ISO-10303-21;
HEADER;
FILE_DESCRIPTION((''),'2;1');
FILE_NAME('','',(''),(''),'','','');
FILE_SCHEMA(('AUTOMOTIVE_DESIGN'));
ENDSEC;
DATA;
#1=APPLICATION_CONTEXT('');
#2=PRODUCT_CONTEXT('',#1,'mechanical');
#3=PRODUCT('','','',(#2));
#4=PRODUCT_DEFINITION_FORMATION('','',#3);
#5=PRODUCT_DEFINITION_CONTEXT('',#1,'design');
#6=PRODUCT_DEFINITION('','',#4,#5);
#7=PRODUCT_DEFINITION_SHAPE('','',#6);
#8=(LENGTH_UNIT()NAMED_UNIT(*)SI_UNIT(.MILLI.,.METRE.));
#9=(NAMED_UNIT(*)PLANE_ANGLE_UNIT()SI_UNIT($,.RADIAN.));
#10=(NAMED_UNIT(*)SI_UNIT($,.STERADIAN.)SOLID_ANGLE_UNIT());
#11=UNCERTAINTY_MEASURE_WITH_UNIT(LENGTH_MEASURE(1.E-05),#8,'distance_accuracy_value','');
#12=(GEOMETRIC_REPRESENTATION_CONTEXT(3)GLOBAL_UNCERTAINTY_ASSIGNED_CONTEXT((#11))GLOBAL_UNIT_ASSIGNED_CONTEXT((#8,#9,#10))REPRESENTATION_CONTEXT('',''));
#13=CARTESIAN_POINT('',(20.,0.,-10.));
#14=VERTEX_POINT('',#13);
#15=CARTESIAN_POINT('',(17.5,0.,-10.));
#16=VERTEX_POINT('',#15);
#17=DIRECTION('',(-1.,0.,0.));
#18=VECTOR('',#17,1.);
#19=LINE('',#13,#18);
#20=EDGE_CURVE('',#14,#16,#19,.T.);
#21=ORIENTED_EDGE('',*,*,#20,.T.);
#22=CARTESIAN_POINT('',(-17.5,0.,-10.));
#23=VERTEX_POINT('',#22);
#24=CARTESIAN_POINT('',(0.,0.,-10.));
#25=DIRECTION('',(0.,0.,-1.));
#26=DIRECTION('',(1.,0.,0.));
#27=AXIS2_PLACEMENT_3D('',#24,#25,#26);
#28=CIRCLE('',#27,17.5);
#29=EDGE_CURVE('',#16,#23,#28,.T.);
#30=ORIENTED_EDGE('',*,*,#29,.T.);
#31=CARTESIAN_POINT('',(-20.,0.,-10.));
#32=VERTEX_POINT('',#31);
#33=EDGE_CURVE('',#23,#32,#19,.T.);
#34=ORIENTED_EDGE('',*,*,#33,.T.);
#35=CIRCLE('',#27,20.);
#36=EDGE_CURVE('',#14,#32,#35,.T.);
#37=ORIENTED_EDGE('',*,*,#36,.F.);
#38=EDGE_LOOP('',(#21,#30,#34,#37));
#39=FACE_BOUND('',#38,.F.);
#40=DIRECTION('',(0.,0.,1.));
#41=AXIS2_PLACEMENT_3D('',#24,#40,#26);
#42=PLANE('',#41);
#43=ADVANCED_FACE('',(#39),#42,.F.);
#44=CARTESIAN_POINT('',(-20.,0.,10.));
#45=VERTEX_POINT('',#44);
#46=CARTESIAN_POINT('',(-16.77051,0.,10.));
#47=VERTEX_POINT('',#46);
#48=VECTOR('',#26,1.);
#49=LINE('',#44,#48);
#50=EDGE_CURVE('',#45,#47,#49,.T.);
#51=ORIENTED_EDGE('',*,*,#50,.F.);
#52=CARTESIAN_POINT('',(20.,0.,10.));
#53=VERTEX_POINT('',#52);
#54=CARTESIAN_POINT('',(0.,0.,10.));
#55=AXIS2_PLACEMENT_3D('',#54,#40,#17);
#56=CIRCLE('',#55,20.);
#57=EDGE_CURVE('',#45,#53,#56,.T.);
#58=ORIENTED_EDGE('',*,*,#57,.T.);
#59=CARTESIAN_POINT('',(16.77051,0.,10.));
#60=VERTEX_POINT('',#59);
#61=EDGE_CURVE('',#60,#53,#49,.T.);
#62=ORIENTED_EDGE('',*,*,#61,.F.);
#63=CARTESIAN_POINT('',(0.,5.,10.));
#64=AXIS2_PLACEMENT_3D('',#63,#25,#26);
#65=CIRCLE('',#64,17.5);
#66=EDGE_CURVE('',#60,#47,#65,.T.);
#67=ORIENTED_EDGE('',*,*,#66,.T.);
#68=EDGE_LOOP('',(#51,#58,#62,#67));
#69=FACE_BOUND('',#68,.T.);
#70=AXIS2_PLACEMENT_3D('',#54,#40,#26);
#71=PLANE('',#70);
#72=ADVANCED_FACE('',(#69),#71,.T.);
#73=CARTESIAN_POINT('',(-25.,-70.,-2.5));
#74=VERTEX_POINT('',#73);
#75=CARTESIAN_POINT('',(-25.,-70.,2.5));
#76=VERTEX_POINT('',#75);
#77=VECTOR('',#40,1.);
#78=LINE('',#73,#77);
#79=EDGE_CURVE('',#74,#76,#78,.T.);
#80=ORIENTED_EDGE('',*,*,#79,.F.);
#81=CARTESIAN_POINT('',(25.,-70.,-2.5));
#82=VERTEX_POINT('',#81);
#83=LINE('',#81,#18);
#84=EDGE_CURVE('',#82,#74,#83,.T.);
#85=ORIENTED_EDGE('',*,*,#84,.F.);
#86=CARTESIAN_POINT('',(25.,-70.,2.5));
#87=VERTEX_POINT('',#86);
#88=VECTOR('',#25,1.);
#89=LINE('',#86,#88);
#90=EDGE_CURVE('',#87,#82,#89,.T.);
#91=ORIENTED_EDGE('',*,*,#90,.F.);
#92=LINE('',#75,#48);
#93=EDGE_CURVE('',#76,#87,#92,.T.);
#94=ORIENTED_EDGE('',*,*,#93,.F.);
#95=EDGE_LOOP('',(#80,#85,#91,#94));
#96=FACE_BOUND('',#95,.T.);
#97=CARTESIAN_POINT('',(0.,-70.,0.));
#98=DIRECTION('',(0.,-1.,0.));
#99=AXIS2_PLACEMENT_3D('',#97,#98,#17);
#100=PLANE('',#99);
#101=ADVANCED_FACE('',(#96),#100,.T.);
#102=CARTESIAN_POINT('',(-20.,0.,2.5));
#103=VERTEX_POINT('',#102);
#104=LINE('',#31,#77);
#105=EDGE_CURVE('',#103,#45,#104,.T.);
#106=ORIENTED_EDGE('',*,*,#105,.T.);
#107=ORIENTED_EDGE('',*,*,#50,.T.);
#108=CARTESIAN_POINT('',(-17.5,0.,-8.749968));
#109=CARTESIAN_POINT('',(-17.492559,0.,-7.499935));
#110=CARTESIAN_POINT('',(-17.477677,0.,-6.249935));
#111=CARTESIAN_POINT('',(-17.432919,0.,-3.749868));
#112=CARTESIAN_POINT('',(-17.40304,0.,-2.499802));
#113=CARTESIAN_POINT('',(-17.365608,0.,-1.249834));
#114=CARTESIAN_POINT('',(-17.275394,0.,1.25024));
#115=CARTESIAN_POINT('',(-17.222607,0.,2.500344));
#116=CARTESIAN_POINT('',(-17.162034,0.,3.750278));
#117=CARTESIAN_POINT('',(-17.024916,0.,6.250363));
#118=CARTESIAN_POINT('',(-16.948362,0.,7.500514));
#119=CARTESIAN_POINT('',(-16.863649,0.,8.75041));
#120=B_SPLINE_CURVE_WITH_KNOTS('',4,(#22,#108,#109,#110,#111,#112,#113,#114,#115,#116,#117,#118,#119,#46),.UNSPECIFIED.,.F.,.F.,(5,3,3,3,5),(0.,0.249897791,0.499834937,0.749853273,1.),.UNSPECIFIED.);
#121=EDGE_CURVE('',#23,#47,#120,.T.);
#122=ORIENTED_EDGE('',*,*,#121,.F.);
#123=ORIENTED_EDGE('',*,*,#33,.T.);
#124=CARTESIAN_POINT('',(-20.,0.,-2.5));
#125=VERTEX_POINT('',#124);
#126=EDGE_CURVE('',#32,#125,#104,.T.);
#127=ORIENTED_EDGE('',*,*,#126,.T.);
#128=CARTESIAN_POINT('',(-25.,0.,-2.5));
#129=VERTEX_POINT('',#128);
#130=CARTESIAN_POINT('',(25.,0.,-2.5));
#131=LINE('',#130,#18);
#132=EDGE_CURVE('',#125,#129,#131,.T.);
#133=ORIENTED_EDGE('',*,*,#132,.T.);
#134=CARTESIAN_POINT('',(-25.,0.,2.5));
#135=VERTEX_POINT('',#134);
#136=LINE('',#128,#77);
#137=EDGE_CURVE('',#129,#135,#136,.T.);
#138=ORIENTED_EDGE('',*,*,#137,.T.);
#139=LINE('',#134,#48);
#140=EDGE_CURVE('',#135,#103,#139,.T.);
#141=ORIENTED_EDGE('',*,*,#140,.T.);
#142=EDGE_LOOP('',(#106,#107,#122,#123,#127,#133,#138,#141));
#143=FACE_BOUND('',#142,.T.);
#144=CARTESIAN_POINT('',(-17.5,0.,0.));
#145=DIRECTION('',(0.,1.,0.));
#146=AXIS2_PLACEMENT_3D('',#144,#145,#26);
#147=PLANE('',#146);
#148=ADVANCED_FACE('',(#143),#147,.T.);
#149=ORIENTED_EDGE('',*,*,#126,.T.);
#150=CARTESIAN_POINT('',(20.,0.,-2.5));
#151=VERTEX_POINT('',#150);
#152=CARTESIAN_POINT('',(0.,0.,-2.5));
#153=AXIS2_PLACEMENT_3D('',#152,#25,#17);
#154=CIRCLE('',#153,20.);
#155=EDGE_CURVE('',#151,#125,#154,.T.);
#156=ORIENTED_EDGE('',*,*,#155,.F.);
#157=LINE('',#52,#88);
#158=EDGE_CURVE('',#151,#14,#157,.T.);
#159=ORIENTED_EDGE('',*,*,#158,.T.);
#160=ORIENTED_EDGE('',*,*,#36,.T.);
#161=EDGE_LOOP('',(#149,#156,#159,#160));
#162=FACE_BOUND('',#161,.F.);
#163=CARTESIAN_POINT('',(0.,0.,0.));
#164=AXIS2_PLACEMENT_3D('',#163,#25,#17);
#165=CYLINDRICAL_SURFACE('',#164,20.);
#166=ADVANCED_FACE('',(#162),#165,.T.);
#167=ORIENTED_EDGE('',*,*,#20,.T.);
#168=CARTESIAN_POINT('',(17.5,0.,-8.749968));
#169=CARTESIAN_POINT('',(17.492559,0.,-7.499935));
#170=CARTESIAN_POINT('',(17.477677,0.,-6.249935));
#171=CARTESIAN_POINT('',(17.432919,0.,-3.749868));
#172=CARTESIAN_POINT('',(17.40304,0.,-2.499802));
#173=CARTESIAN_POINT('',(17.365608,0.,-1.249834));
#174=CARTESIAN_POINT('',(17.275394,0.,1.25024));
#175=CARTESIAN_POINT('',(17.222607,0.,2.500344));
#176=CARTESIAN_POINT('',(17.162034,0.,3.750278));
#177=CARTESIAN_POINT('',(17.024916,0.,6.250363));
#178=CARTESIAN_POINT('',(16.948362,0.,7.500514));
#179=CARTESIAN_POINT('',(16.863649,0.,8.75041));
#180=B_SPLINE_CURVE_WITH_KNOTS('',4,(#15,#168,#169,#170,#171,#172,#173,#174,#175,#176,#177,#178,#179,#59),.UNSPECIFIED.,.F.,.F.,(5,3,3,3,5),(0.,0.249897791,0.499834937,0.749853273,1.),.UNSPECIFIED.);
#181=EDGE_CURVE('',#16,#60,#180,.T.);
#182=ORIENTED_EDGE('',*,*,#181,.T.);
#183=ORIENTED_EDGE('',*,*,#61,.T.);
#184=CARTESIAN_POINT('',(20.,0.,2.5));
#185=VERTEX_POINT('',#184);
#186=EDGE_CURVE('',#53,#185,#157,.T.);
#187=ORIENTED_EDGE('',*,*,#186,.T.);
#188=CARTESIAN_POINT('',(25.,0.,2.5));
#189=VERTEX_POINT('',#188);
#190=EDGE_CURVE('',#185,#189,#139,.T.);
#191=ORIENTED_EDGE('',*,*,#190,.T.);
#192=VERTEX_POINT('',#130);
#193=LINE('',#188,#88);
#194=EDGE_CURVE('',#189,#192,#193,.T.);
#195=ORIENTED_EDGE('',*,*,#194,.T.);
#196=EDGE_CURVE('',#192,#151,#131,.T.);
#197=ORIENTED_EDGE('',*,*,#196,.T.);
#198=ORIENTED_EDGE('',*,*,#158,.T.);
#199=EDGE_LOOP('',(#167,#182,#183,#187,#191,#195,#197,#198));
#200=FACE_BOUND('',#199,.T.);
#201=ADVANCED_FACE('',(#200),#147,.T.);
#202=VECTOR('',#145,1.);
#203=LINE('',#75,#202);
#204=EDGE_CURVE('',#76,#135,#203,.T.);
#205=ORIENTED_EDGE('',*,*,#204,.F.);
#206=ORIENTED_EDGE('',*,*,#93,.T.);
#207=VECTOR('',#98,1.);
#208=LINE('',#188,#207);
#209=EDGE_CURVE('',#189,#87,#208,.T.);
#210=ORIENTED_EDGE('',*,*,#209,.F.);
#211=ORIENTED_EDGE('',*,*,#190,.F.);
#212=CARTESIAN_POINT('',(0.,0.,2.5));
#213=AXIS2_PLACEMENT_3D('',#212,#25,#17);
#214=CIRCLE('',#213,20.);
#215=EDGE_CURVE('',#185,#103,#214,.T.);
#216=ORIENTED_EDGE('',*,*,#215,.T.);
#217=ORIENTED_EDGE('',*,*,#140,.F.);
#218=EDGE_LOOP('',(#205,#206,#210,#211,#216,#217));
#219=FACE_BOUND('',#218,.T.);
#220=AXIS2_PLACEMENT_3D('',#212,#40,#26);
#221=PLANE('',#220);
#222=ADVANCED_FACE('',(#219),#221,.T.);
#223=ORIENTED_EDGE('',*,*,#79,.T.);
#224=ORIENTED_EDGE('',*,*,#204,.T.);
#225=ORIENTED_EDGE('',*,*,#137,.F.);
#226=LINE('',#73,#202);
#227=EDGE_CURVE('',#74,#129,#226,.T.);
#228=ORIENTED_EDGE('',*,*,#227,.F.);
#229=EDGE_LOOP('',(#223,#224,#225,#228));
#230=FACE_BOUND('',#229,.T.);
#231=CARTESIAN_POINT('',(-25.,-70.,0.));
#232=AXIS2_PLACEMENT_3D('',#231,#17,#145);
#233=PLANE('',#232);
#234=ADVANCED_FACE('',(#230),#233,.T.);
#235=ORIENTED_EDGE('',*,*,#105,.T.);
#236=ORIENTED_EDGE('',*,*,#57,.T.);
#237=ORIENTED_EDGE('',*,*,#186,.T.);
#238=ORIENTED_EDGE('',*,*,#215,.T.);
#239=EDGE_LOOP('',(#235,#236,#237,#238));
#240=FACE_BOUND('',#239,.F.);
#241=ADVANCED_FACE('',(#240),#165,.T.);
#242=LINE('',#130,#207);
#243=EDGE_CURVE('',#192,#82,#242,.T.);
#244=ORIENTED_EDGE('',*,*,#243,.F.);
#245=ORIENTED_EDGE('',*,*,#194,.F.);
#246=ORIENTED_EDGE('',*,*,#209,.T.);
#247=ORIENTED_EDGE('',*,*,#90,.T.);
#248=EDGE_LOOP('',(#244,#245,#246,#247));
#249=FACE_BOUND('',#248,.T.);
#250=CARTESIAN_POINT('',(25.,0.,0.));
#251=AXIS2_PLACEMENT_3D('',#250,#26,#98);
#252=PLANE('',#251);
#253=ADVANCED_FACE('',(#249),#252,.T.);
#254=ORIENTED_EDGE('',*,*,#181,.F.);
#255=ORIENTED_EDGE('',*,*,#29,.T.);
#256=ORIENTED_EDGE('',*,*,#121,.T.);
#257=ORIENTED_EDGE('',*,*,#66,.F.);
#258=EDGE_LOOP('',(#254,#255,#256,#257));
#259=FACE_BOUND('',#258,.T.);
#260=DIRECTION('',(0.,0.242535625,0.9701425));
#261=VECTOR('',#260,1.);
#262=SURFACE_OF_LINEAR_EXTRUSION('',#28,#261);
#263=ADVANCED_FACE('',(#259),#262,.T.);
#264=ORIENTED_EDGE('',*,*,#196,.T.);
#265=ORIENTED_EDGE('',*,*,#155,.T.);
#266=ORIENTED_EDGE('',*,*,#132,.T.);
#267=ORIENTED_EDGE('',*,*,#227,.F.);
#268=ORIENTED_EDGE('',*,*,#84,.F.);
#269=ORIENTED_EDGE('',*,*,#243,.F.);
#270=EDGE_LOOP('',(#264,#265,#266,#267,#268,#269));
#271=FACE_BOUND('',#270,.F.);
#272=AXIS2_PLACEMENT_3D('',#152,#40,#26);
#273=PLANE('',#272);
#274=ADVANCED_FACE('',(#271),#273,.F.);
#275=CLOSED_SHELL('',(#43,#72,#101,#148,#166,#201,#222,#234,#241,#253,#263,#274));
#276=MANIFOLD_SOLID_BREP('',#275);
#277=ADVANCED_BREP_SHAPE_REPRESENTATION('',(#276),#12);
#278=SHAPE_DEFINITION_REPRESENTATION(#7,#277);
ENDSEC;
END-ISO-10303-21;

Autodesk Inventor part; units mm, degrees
ref_plane "YZ Plane" through (0, 0, 0) normal (1, 0, 0) x (0, 1, 0)
ref_plane "XZ Plane" through (0, 0, 0) normal (0, 1, 0) x (-1, 0, 0)
ref_plane "XY Plane" through (0, 0, 0) normal (0, 0, 1) x (1, 0, 0)
sketch "草圖1" plane through (0, 0, 0) normal (0, 0, 1) x (1, 0, 0)
  arc A0 (-17.5, 0) -> (17.5, 0) centre (0, 0) ccw
  arc A1 (-20, 0) -> (20, 0) centre (0, 0) ccw
  line L0 (-20, 0) -> (-17.5, 0)
  line L1 (20, 0) -> (17.5, 0)
  line L2 (-35, 0) -> (35, 0) projected
  line L3 (-25, 0) -> (25, 0)
  line L4 (25, -70) -> (-25, -70)
  line L5 (-25, -70) -> (-25, 0)
  line L6 (-25, 0) -> (25, 0)
  line L7 (25, 0) -> (25, -70)
  line L8 (25, -70) -> (-25, 0) construction
  line L9 (-25, -70) -> (25, 0) construction
  line L10 (0, -84) -> (0, 14) projected
  point P0 (17.5, 0)
  point P1 (20, 0)
  point P2 (20, 0)
  point P3 (0, -35)
  dimension "d0" = 17.5
  dimension "d16" = 50
  dimension "d17" = 70
  dimension "d22" = 20
extrude "擠出1" add sketch "草圖1" along normal mid plane 20 contours L2 L10 A0 | A0 L10 A1 L0 | L10 L2 A0 | A0 L1 A1 L10
extrude "擠出2" add sketch "草圖1" along normal mid plane 5
sketch "草圖2" plane through (0, 0, 0) normal (1, 0, 0) x (0, 1, 0)
  line L0 (-10, -10) -> (-5, 10)
  line L1 (0, -2.5) -> (0, -10) projected
  line L2 (0, 10) -> (0, 2.5) projected
  line L3 (-20, -10) -> (0, -10) projected
  line L4 (0, 10) -> (-20, 10) projected
  point P0 (0, 0)
  dimension "d18" = 10
  dimension "d19" = 5
sketch "草圖3" plane through (0, 0, -10) normal (0, 0, -1) x (-1, 0, 0)
  arc A0 (-17.5, 0) -> (17.5, 0) centre (0, 0) ccw projected
  line L0 (25, 0) -> (-25, 0) projected
sweep "掃掠1" cut profiles "草圖3" path "草圖2" path curves L0
